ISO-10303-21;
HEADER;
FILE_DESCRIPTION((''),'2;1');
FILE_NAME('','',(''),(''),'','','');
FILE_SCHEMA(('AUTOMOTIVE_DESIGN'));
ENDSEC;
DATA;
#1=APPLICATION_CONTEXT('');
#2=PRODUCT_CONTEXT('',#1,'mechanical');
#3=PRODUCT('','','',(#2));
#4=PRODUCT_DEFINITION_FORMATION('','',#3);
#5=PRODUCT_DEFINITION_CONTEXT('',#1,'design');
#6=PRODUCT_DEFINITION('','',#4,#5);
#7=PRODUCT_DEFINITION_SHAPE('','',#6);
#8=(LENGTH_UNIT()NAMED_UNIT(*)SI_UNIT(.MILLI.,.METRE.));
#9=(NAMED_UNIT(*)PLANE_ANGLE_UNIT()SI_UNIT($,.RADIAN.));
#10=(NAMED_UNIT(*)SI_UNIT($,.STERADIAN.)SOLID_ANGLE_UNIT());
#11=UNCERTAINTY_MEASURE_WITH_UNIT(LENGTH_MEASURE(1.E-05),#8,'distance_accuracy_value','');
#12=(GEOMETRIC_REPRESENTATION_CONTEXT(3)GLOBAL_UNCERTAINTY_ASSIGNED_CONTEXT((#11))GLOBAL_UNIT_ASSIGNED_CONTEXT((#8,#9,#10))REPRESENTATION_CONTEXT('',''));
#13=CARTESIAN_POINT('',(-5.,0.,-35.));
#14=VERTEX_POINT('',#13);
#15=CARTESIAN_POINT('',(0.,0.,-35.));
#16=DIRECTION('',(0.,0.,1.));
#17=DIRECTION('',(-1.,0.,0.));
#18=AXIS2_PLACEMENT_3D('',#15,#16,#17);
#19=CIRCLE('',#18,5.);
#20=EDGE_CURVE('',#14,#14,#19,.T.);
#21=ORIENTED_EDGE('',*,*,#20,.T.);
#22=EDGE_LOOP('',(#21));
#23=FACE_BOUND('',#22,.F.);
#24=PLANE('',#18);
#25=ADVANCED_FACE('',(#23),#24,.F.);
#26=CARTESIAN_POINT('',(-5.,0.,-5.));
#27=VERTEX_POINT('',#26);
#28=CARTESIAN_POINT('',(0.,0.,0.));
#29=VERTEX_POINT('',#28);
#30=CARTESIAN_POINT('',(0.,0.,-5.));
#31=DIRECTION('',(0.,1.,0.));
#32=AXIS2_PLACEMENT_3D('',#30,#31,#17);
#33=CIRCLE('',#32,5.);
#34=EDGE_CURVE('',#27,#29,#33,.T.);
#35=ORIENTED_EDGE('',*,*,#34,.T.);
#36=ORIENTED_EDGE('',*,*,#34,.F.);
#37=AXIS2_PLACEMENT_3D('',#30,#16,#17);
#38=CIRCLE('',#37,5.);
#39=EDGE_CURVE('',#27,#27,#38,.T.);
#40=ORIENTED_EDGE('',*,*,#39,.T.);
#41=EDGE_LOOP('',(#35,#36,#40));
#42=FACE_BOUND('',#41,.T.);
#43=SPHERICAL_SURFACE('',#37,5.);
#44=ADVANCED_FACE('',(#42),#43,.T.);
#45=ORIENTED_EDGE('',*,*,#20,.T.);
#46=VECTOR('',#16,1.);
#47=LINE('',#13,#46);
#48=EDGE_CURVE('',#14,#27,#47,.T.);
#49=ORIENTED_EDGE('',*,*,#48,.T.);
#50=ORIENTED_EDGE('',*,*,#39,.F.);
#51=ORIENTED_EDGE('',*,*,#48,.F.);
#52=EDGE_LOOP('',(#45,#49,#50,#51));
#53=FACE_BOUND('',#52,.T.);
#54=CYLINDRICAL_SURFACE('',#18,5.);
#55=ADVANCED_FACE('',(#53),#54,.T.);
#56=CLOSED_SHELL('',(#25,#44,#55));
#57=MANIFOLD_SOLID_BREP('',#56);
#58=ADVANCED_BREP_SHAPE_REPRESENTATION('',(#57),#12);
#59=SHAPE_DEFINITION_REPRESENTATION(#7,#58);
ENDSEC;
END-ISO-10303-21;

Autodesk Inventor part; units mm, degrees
ref_plane "YZ Plane" through (0, 0, 0) normal (1, 0, 0) x (0, 1, 0)
ref_plane "XZ Plane" through (0, 0, 0) normal (0, 1, 0) x (-1, 0, 0)
ref_plane "XY Plane" through (0, 0, 0) normal (0, 0, 1) x (1, 0, 0)
sketch "Skizze1" plane through (0, 0, 0) normal (0, 1, 0) x (-1, 0, 0)
  arc A0 (5, -5) -> (0, 0) centre (0, -5) ccw
  line L0 (7.2426, 0) -> (-1.2071, 0) projected
  line L1 (0, -42.2071) -> (0, 8.2426) projected
  line L2 (5, -35) -> (5, -5)
  line L3 (0, 0) -> (0, -35)
  line L4 (0, 0) -> (0, -35)
  line L5 (5, -35) -> (0, -35)
  dimension "d0" = 10
  dimension "d2" = 30
revolve "Umdrehung1" add sketch "Skizze1" angle 360 about axis through (0, 0, -10) along (0, 0, 1)
properties part number "Stift_kurz"
